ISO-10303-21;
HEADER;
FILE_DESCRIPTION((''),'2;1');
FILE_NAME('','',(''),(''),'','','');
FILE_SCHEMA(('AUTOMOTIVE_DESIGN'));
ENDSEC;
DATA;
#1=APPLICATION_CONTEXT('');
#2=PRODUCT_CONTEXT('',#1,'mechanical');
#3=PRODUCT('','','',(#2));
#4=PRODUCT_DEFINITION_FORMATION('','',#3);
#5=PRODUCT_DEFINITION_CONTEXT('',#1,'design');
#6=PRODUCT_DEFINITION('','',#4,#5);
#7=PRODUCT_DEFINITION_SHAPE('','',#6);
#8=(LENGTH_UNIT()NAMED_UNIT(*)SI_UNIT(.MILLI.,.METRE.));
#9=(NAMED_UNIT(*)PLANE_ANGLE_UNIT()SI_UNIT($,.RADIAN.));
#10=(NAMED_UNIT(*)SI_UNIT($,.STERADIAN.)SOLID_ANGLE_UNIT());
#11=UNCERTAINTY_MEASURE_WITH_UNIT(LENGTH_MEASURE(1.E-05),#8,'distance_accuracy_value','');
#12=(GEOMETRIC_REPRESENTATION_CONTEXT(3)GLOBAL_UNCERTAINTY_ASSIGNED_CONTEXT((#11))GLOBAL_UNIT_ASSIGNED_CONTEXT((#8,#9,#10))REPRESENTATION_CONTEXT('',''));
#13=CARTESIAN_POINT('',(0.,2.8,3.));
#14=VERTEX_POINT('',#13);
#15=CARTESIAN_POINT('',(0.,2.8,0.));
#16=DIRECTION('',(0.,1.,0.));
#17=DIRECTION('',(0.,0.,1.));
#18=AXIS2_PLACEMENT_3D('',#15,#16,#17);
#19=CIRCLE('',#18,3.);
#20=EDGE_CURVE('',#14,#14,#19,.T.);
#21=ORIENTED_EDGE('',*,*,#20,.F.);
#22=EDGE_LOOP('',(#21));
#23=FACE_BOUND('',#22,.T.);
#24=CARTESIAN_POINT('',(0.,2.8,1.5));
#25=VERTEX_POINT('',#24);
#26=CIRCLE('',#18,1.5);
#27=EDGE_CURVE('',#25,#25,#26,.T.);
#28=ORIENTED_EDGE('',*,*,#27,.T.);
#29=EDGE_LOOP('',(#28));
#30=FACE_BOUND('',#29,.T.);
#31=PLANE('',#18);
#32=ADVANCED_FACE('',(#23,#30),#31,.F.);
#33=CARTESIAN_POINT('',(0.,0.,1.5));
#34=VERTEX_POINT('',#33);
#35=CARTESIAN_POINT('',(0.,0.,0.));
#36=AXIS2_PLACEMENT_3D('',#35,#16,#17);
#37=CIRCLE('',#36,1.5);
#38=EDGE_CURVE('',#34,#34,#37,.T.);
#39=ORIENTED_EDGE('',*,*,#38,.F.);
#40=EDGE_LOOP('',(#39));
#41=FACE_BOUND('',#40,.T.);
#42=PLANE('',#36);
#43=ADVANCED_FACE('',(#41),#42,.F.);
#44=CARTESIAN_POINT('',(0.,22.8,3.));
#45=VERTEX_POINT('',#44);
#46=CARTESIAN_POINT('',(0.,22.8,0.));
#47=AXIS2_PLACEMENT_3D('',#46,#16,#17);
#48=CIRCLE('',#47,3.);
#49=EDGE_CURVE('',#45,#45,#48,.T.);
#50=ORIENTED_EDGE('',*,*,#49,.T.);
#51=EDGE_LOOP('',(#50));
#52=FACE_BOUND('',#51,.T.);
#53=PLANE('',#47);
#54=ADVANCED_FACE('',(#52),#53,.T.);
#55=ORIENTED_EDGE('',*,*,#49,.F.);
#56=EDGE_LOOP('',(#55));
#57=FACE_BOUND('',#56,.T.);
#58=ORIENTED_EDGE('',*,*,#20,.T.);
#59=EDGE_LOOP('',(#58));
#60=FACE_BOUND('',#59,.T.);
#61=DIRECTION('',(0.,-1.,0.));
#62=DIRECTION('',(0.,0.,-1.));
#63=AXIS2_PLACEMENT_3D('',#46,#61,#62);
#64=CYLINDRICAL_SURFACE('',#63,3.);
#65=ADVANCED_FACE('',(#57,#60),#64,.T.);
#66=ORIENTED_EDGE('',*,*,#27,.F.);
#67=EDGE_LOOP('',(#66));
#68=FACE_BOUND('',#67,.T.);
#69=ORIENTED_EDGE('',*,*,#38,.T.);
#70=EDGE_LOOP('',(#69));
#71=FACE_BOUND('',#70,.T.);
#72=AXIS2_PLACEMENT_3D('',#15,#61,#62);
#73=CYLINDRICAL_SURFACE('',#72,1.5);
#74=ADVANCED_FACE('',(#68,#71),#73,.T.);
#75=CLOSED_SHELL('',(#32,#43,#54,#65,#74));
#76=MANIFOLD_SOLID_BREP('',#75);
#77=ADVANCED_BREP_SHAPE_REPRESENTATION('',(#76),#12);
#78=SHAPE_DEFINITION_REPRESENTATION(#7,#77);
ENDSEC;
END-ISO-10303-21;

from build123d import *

# Parameters (mm, degrees)
SKETCH_1_R      = 1.5
EXTRUDE_1_DEPTH = 2.8
SKETCH_2_R      = 3
EXTRUDE_2_DEPTH = 20


with BuildPart() as part:
    # 草圖1 → 填料-伸長1 (new body)
    with BuildSketch(Plane(origin=(0, 0, 0), x_dir=(1, 0, 0), z_dir=(0, 1, 0))):
        with Locations(Location((0, 0, 0), (0, 0, 270))):
            Circle(SKETCH_1_R)
    extrude(amount=EXTRUDE_1_DEPTH)

    # 草圖2 → 填料-伸長2 (add)
    with BuildSketch(Plane(origin=(0, 2.8, 0), x_dir=(1, 0, 0), z_dir=(0, 1, 0))):
        with Locations(Location((0, 0, 0), (0, 0, 270))):
            Circle(SKETCH_2_R)
    extrude(amount=EXTRUDE_2_DEPTH)


solid = part.part
